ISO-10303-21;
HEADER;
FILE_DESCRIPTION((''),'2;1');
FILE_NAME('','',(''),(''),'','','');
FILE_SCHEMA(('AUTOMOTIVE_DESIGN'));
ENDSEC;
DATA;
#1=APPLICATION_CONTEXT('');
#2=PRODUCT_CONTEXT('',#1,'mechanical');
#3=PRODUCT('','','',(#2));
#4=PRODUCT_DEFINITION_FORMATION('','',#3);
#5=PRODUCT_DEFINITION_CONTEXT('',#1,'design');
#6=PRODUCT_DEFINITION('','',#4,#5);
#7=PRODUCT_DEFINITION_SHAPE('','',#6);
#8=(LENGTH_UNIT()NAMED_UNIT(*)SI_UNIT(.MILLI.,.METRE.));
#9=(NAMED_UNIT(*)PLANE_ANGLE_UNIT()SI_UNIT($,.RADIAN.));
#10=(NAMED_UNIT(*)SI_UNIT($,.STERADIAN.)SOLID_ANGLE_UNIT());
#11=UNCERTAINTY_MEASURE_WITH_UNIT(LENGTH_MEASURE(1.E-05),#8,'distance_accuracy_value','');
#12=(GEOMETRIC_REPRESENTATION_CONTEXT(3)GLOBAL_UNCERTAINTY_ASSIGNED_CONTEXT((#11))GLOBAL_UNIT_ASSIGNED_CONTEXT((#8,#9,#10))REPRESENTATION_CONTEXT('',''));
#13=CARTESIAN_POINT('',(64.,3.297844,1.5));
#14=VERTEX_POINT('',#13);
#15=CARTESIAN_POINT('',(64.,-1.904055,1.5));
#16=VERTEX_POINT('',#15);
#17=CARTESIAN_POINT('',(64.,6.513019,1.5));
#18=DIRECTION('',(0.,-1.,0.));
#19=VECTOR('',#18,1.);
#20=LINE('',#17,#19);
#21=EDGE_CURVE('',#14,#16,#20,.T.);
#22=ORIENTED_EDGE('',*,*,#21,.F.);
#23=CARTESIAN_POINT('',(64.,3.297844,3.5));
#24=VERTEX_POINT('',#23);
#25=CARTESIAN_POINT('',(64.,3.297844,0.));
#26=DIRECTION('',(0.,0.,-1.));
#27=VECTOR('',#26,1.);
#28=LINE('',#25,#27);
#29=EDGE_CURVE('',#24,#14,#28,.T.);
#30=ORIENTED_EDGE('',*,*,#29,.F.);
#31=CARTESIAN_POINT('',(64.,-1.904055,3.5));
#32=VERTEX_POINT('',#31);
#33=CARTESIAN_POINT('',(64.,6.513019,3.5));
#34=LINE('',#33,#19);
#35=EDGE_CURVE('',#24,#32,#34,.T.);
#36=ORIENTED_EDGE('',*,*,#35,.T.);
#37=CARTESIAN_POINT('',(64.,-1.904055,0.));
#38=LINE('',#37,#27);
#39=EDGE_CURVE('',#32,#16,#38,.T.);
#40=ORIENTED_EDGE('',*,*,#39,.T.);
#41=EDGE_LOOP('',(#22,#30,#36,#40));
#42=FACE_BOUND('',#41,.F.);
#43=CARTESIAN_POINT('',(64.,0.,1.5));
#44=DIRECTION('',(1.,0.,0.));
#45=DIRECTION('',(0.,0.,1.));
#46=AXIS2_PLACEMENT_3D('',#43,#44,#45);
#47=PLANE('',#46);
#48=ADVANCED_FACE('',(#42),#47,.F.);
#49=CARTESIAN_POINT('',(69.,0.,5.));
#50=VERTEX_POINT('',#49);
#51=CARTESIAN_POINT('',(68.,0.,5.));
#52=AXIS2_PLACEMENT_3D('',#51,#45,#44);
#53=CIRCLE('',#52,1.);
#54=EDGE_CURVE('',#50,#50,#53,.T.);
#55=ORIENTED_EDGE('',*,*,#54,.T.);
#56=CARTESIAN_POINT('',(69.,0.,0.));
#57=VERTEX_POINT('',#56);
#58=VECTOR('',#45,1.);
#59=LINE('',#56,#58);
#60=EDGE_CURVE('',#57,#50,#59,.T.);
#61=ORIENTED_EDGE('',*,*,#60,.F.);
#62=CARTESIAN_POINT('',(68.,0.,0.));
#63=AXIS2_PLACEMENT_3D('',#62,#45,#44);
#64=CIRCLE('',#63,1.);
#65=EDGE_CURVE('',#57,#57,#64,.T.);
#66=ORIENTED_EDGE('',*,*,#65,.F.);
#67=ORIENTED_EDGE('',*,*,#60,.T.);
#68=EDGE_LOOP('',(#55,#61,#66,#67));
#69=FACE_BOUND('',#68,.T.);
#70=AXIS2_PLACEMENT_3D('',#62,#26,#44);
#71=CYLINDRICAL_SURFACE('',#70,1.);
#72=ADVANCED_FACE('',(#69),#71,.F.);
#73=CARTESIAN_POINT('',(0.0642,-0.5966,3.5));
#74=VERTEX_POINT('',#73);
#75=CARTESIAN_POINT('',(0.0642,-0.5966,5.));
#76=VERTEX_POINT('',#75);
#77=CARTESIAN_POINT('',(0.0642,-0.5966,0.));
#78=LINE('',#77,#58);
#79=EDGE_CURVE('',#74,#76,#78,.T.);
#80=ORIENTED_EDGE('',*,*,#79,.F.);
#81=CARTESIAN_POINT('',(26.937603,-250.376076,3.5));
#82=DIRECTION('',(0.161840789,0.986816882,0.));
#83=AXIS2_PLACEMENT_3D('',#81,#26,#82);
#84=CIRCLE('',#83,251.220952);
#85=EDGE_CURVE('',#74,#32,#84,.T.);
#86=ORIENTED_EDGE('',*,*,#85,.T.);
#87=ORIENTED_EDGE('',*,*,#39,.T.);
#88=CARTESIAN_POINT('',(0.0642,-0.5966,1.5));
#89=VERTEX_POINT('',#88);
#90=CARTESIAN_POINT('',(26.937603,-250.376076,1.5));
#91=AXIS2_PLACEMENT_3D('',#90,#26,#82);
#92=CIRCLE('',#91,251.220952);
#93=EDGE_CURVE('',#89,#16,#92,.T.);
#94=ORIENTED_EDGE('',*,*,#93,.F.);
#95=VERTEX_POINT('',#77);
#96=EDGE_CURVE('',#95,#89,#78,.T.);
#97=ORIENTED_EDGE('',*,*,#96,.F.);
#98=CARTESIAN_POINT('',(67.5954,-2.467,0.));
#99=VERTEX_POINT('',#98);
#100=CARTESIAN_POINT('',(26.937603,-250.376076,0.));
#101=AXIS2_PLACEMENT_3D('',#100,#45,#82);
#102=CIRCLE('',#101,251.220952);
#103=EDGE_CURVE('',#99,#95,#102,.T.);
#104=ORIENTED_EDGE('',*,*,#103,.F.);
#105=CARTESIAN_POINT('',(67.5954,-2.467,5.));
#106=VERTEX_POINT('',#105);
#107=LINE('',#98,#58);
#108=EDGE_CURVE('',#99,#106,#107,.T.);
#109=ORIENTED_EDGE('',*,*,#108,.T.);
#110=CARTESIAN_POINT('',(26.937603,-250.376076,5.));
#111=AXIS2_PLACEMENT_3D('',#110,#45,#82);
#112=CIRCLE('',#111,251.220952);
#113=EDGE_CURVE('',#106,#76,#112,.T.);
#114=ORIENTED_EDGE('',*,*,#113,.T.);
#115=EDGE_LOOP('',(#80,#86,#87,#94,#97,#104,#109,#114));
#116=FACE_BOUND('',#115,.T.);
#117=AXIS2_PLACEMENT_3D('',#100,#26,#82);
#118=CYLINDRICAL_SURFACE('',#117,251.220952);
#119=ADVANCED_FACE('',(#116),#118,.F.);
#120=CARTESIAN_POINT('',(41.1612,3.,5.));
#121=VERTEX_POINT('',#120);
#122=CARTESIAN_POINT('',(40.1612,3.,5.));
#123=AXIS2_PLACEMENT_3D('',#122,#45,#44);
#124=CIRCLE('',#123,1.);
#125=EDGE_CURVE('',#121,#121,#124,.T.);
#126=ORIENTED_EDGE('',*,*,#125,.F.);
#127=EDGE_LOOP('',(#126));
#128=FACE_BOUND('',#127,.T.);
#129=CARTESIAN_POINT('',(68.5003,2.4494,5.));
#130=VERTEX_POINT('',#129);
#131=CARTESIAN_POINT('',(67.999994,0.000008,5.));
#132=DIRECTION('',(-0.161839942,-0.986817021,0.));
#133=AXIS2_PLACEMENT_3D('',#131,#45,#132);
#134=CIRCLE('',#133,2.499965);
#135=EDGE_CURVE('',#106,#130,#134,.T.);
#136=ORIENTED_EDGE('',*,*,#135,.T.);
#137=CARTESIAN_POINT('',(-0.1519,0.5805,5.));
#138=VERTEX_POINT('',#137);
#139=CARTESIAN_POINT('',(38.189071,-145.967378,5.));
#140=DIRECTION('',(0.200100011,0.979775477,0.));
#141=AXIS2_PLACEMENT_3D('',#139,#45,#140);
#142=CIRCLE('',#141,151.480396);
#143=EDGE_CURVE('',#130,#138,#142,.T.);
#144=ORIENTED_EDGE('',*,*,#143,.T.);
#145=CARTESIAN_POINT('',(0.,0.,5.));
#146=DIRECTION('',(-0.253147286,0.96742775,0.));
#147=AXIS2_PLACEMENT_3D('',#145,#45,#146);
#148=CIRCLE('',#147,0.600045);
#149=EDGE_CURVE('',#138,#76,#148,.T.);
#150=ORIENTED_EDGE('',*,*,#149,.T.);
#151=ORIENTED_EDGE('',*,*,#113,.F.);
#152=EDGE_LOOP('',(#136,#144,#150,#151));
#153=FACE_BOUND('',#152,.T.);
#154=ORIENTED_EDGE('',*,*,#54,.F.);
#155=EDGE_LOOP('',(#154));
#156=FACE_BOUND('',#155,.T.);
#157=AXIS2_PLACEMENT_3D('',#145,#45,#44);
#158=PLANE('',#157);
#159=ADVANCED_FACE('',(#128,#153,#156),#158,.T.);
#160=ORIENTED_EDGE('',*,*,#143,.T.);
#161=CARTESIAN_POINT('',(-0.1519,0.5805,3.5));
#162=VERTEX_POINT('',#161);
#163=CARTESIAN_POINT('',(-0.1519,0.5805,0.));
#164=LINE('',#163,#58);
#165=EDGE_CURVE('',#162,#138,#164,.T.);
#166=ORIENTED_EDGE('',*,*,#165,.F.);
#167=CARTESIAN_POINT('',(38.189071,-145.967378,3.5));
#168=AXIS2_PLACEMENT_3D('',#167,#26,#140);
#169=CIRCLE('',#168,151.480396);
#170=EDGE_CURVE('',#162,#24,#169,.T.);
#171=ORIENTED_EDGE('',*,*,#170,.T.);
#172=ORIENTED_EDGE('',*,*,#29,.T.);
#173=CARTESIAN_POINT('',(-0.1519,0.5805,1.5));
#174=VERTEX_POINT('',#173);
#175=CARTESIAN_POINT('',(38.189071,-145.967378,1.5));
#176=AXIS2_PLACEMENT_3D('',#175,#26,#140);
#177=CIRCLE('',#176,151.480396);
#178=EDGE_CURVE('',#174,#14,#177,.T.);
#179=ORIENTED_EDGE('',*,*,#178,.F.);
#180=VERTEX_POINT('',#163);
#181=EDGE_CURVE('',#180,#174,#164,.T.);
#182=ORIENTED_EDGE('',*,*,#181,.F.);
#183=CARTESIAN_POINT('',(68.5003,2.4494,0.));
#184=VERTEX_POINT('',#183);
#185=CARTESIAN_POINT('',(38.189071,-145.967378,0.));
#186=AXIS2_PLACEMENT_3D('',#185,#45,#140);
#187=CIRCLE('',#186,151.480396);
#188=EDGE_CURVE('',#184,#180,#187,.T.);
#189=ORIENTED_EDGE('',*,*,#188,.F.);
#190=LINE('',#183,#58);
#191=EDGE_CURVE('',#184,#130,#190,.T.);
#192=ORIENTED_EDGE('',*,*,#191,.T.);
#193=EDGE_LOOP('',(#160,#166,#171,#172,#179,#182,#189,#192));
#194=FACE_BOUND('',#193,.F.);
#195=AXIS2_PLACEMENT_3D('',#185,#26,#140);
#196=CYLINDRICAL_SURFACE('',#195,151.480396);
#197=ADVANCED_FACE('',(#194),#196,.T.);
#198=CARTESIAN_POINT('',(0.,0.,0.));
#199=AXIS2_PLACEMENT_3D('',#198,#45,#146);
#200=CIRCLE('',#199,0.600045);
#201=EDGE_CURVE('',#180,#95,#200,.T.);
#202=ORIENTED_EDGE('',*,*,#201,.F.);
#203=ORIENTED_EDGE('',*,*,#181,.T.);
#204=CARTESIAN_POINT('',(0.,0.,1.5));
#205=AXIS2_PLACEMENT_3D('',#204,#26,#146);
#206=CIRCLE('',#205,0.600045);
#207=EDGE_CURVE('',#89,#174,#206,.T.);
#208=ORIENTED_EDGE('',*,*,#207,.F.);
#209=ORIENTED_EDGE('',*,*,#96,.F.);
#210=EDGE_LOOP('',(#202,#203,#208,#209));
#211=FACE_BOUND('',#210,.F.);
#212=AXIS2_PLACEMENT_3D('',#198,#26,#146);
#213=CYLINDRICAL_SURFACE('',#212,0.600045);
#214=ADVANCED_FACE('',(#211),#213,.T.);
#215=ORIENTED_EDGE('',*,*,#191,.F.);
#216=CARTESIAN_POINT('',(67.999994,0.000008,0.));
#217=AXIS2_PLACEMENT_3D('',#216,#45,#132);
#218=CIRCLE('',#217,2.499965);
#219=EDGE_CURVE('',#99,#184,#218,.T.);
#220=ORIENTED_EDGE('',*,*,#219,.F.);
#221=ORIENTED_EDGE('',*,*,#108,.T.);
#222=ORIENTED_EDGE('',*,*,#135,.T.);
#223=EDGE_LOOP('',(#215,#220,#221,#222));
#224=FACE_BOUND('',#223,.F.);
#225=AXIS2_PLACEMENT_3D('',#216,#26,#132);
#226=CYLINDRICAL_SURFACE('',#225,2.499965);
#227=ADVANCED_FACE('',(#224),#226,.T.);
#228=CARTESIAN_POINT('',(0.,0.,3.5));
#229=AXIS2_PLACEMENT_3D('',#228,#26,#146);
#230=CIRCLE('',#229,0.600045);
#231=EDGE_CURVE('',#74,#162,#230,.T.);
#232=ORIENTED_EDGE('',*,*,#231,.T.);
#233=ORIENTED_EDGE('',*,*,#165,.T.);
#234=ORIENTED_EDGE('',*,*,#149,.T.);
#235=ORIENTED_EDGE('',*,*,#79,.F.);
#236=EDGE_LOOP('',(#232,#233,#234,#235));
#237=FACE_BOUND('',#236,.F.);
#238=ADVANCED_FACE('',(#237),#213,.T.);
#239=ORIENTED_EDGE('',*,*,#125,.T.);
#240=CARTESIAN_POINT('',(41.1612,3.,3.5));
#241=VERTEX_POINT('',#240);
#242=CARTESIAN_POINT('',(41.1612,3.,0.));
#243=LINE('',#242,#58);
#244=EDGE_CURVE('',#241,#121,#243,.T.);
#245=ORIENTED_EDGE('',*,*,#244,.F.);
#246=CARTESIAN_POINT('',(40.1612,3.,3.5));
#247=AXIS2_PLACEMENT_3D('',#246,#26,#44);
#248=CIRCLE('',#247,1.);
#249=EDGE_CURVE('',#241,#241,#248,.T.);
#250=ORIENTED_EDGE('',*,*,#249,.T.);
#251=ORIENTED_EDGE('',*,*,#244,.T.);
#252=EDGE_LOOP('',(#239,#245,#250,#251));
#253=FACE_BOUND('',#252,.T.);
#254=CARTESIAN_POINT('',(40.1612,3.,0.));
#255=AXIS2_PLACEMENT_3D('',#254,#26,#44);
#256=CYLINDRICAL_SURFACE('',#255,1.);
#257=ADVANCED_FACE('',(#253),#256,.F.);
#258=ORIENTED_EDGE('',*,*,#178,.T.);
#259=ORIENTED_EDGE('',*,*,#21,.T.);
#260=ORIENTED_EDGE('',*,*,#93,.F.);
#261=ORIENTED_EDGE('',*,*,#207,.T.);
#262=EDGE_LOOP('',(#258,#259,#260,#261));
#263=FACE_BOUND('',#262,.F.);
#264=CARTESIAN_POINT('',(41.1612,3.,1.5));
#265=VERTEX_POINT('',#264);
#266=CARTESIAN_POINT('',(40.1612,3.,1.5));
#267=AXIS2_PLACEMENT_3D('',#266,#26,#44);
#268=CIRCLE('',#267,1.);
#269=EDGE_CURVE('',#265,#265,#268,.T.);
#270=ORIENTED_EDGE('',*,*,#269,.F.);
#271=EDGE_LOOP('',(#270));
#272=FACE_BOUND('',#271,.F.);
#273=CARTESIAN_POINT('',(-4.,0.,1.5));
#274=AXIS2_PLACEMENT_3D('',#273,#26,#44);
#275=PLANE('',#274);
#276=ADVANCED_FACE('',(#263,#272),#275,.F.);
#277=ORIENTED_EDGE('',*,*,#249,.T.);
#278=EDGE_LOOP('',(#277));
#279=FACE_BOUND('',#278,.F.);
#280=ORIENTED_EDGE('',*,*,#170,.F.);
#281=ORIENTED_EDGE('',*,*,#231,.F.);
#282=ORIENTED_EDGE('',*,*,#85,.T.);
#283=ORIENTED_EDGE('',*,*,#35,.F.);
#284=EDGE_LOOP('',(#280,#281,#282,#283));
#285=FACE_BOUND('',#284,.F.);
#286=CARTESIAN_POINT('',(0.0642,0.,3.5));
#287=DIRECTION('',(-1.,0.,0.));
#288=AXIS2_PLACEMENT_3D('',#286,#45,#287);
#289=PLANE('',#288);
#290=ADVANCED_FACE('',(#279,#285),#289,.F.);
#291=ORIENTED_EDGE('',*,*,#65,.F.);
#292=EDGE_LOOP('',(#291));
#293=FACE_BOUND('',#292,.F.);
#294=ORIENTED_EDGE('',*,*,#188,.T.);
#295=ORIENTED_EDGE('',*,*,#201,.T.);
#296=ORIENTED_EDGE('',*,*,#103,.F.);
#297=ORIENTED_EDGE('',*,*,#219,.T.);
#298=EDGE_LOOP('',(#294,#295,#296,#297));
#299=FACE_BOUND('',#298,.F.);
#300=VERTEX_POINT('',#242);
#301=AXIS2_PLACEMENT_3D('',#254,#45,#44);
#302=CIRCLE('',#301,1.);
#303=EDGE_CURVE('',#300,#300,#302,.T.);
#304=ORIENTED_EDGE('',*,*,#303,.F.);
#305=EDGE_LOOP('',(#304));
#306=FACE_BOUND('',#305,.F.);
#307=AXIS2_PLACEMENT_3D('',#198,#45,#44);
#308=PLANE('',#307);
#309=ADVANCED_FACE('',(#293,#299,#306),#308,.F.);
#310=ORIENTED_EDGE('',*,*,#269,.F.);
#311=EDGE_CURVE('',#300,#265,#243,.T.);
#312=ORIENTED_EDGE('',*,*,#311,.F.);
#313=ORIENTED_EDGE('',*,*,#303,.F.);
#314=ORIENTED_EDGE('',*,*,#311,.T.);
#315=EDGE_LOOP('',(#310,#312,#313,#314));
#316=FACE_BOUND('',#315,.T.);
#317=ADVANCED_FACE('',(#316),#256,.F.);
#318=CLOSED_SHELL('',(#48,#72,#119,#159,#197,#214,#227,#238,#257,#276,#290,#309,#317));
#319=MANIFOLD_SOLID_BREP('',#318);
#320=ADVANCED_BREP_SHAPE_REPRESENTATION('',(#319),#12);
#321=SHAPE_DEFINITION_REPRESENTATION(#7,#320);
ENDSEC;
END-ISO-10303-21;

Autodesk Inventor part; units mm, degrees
ref_plane "Work Plane1" through (0, 0, 0.75) normal (0, 0, 1) x (1, 0, 0)
ref_plane "YZ Plane" through (0, 0, 0) normal (1, 0, 0) x (0, 1, 0)
ref_plane "XZ Plane" through (0, 0, 0) normal (0, 1, 0) x (-1, 0, 0)
sketch "Sketch1" plane through (0, 0, 0) normal (0, 0, 1) x (1, 0, 0)
  circle A0 centre (68, 0) radius 1
  circle A1 centre (40.1612, 3) radius 1
  circle A2 centre (40.1612, 3) radius 2.5 construction
  arc A3 (-0.1519, 0.5805) -> (0.0642, -0.5966) centre (0, 0) ccw
  arc A4 (68.5003, 2.4494) -> (-0.1519, 0.5805) centre (38.1892, -145.9659) ccw
  arc A5 (67.5954, -2.467) -> (0.0642, -0.5966) centre (26.9372, -250.3803) ccw
  arc A6 (67.5954, -2.467) -> (68.5003, 2.4494) centre (68, 0) ccw
  arc A7 (38.0337, 4.313) -> (8.652, 1.3817) centre (38.1892, -145.9659) ccw
  arc A8 (37.9659, 1.8038) -> (8.652, 1.3817) centre (26.9372, -250.3803) ccw
  arc A9 (38.0337, 4.313) -> (37.9659, 1.8038) centre (40.1612, 3) ccw
  point P0 (40.1612, 6.5)
  dimension "d1" = 2
  dimension "d2" = 2
  dimension "d4" = 3
  dimension "d8" = 5
  dimension "d9" = 3.5
  dimension "d21" = 0.6
  dimension "d22" = 2.5
  dimension "d23" = 0
  dimension "d24" = 1.2
  dimension "d25" = 1.2
  dimension "d31" = 68
  dimension "d40" = 28
extrude "Extrusion1" add sketch "Sketch1" along normal blind 5 contours A4 A6 A5 A3 | A9 A8 A7
sketch "Sketch3" plane through (0, 0, 0) normal (0, 1, 0) x (-1, 0, 0)
  line L0 (4, 1.5) -> (-64, 1.5)
  line L1 (-64, 1.5) -> (-64, 3.5)
  line L2 (-64, 3.5) -> (4, 3.5)
  line L3 (4, 3.5) -> (4, 1.5)
  line L4 (-0.0642, 0) -> (-0.0642, 5) projected
  point P0 (0, 0)
  dimension "d34" = 1.5
  dimension "d35" = 4
  dimension "d36" = 2
  dimension "d37" = 68
extrude "Extrusion3" cut sketch "Sketch3" along normal through all both and the other way through all
properties part number "panto_legA"
